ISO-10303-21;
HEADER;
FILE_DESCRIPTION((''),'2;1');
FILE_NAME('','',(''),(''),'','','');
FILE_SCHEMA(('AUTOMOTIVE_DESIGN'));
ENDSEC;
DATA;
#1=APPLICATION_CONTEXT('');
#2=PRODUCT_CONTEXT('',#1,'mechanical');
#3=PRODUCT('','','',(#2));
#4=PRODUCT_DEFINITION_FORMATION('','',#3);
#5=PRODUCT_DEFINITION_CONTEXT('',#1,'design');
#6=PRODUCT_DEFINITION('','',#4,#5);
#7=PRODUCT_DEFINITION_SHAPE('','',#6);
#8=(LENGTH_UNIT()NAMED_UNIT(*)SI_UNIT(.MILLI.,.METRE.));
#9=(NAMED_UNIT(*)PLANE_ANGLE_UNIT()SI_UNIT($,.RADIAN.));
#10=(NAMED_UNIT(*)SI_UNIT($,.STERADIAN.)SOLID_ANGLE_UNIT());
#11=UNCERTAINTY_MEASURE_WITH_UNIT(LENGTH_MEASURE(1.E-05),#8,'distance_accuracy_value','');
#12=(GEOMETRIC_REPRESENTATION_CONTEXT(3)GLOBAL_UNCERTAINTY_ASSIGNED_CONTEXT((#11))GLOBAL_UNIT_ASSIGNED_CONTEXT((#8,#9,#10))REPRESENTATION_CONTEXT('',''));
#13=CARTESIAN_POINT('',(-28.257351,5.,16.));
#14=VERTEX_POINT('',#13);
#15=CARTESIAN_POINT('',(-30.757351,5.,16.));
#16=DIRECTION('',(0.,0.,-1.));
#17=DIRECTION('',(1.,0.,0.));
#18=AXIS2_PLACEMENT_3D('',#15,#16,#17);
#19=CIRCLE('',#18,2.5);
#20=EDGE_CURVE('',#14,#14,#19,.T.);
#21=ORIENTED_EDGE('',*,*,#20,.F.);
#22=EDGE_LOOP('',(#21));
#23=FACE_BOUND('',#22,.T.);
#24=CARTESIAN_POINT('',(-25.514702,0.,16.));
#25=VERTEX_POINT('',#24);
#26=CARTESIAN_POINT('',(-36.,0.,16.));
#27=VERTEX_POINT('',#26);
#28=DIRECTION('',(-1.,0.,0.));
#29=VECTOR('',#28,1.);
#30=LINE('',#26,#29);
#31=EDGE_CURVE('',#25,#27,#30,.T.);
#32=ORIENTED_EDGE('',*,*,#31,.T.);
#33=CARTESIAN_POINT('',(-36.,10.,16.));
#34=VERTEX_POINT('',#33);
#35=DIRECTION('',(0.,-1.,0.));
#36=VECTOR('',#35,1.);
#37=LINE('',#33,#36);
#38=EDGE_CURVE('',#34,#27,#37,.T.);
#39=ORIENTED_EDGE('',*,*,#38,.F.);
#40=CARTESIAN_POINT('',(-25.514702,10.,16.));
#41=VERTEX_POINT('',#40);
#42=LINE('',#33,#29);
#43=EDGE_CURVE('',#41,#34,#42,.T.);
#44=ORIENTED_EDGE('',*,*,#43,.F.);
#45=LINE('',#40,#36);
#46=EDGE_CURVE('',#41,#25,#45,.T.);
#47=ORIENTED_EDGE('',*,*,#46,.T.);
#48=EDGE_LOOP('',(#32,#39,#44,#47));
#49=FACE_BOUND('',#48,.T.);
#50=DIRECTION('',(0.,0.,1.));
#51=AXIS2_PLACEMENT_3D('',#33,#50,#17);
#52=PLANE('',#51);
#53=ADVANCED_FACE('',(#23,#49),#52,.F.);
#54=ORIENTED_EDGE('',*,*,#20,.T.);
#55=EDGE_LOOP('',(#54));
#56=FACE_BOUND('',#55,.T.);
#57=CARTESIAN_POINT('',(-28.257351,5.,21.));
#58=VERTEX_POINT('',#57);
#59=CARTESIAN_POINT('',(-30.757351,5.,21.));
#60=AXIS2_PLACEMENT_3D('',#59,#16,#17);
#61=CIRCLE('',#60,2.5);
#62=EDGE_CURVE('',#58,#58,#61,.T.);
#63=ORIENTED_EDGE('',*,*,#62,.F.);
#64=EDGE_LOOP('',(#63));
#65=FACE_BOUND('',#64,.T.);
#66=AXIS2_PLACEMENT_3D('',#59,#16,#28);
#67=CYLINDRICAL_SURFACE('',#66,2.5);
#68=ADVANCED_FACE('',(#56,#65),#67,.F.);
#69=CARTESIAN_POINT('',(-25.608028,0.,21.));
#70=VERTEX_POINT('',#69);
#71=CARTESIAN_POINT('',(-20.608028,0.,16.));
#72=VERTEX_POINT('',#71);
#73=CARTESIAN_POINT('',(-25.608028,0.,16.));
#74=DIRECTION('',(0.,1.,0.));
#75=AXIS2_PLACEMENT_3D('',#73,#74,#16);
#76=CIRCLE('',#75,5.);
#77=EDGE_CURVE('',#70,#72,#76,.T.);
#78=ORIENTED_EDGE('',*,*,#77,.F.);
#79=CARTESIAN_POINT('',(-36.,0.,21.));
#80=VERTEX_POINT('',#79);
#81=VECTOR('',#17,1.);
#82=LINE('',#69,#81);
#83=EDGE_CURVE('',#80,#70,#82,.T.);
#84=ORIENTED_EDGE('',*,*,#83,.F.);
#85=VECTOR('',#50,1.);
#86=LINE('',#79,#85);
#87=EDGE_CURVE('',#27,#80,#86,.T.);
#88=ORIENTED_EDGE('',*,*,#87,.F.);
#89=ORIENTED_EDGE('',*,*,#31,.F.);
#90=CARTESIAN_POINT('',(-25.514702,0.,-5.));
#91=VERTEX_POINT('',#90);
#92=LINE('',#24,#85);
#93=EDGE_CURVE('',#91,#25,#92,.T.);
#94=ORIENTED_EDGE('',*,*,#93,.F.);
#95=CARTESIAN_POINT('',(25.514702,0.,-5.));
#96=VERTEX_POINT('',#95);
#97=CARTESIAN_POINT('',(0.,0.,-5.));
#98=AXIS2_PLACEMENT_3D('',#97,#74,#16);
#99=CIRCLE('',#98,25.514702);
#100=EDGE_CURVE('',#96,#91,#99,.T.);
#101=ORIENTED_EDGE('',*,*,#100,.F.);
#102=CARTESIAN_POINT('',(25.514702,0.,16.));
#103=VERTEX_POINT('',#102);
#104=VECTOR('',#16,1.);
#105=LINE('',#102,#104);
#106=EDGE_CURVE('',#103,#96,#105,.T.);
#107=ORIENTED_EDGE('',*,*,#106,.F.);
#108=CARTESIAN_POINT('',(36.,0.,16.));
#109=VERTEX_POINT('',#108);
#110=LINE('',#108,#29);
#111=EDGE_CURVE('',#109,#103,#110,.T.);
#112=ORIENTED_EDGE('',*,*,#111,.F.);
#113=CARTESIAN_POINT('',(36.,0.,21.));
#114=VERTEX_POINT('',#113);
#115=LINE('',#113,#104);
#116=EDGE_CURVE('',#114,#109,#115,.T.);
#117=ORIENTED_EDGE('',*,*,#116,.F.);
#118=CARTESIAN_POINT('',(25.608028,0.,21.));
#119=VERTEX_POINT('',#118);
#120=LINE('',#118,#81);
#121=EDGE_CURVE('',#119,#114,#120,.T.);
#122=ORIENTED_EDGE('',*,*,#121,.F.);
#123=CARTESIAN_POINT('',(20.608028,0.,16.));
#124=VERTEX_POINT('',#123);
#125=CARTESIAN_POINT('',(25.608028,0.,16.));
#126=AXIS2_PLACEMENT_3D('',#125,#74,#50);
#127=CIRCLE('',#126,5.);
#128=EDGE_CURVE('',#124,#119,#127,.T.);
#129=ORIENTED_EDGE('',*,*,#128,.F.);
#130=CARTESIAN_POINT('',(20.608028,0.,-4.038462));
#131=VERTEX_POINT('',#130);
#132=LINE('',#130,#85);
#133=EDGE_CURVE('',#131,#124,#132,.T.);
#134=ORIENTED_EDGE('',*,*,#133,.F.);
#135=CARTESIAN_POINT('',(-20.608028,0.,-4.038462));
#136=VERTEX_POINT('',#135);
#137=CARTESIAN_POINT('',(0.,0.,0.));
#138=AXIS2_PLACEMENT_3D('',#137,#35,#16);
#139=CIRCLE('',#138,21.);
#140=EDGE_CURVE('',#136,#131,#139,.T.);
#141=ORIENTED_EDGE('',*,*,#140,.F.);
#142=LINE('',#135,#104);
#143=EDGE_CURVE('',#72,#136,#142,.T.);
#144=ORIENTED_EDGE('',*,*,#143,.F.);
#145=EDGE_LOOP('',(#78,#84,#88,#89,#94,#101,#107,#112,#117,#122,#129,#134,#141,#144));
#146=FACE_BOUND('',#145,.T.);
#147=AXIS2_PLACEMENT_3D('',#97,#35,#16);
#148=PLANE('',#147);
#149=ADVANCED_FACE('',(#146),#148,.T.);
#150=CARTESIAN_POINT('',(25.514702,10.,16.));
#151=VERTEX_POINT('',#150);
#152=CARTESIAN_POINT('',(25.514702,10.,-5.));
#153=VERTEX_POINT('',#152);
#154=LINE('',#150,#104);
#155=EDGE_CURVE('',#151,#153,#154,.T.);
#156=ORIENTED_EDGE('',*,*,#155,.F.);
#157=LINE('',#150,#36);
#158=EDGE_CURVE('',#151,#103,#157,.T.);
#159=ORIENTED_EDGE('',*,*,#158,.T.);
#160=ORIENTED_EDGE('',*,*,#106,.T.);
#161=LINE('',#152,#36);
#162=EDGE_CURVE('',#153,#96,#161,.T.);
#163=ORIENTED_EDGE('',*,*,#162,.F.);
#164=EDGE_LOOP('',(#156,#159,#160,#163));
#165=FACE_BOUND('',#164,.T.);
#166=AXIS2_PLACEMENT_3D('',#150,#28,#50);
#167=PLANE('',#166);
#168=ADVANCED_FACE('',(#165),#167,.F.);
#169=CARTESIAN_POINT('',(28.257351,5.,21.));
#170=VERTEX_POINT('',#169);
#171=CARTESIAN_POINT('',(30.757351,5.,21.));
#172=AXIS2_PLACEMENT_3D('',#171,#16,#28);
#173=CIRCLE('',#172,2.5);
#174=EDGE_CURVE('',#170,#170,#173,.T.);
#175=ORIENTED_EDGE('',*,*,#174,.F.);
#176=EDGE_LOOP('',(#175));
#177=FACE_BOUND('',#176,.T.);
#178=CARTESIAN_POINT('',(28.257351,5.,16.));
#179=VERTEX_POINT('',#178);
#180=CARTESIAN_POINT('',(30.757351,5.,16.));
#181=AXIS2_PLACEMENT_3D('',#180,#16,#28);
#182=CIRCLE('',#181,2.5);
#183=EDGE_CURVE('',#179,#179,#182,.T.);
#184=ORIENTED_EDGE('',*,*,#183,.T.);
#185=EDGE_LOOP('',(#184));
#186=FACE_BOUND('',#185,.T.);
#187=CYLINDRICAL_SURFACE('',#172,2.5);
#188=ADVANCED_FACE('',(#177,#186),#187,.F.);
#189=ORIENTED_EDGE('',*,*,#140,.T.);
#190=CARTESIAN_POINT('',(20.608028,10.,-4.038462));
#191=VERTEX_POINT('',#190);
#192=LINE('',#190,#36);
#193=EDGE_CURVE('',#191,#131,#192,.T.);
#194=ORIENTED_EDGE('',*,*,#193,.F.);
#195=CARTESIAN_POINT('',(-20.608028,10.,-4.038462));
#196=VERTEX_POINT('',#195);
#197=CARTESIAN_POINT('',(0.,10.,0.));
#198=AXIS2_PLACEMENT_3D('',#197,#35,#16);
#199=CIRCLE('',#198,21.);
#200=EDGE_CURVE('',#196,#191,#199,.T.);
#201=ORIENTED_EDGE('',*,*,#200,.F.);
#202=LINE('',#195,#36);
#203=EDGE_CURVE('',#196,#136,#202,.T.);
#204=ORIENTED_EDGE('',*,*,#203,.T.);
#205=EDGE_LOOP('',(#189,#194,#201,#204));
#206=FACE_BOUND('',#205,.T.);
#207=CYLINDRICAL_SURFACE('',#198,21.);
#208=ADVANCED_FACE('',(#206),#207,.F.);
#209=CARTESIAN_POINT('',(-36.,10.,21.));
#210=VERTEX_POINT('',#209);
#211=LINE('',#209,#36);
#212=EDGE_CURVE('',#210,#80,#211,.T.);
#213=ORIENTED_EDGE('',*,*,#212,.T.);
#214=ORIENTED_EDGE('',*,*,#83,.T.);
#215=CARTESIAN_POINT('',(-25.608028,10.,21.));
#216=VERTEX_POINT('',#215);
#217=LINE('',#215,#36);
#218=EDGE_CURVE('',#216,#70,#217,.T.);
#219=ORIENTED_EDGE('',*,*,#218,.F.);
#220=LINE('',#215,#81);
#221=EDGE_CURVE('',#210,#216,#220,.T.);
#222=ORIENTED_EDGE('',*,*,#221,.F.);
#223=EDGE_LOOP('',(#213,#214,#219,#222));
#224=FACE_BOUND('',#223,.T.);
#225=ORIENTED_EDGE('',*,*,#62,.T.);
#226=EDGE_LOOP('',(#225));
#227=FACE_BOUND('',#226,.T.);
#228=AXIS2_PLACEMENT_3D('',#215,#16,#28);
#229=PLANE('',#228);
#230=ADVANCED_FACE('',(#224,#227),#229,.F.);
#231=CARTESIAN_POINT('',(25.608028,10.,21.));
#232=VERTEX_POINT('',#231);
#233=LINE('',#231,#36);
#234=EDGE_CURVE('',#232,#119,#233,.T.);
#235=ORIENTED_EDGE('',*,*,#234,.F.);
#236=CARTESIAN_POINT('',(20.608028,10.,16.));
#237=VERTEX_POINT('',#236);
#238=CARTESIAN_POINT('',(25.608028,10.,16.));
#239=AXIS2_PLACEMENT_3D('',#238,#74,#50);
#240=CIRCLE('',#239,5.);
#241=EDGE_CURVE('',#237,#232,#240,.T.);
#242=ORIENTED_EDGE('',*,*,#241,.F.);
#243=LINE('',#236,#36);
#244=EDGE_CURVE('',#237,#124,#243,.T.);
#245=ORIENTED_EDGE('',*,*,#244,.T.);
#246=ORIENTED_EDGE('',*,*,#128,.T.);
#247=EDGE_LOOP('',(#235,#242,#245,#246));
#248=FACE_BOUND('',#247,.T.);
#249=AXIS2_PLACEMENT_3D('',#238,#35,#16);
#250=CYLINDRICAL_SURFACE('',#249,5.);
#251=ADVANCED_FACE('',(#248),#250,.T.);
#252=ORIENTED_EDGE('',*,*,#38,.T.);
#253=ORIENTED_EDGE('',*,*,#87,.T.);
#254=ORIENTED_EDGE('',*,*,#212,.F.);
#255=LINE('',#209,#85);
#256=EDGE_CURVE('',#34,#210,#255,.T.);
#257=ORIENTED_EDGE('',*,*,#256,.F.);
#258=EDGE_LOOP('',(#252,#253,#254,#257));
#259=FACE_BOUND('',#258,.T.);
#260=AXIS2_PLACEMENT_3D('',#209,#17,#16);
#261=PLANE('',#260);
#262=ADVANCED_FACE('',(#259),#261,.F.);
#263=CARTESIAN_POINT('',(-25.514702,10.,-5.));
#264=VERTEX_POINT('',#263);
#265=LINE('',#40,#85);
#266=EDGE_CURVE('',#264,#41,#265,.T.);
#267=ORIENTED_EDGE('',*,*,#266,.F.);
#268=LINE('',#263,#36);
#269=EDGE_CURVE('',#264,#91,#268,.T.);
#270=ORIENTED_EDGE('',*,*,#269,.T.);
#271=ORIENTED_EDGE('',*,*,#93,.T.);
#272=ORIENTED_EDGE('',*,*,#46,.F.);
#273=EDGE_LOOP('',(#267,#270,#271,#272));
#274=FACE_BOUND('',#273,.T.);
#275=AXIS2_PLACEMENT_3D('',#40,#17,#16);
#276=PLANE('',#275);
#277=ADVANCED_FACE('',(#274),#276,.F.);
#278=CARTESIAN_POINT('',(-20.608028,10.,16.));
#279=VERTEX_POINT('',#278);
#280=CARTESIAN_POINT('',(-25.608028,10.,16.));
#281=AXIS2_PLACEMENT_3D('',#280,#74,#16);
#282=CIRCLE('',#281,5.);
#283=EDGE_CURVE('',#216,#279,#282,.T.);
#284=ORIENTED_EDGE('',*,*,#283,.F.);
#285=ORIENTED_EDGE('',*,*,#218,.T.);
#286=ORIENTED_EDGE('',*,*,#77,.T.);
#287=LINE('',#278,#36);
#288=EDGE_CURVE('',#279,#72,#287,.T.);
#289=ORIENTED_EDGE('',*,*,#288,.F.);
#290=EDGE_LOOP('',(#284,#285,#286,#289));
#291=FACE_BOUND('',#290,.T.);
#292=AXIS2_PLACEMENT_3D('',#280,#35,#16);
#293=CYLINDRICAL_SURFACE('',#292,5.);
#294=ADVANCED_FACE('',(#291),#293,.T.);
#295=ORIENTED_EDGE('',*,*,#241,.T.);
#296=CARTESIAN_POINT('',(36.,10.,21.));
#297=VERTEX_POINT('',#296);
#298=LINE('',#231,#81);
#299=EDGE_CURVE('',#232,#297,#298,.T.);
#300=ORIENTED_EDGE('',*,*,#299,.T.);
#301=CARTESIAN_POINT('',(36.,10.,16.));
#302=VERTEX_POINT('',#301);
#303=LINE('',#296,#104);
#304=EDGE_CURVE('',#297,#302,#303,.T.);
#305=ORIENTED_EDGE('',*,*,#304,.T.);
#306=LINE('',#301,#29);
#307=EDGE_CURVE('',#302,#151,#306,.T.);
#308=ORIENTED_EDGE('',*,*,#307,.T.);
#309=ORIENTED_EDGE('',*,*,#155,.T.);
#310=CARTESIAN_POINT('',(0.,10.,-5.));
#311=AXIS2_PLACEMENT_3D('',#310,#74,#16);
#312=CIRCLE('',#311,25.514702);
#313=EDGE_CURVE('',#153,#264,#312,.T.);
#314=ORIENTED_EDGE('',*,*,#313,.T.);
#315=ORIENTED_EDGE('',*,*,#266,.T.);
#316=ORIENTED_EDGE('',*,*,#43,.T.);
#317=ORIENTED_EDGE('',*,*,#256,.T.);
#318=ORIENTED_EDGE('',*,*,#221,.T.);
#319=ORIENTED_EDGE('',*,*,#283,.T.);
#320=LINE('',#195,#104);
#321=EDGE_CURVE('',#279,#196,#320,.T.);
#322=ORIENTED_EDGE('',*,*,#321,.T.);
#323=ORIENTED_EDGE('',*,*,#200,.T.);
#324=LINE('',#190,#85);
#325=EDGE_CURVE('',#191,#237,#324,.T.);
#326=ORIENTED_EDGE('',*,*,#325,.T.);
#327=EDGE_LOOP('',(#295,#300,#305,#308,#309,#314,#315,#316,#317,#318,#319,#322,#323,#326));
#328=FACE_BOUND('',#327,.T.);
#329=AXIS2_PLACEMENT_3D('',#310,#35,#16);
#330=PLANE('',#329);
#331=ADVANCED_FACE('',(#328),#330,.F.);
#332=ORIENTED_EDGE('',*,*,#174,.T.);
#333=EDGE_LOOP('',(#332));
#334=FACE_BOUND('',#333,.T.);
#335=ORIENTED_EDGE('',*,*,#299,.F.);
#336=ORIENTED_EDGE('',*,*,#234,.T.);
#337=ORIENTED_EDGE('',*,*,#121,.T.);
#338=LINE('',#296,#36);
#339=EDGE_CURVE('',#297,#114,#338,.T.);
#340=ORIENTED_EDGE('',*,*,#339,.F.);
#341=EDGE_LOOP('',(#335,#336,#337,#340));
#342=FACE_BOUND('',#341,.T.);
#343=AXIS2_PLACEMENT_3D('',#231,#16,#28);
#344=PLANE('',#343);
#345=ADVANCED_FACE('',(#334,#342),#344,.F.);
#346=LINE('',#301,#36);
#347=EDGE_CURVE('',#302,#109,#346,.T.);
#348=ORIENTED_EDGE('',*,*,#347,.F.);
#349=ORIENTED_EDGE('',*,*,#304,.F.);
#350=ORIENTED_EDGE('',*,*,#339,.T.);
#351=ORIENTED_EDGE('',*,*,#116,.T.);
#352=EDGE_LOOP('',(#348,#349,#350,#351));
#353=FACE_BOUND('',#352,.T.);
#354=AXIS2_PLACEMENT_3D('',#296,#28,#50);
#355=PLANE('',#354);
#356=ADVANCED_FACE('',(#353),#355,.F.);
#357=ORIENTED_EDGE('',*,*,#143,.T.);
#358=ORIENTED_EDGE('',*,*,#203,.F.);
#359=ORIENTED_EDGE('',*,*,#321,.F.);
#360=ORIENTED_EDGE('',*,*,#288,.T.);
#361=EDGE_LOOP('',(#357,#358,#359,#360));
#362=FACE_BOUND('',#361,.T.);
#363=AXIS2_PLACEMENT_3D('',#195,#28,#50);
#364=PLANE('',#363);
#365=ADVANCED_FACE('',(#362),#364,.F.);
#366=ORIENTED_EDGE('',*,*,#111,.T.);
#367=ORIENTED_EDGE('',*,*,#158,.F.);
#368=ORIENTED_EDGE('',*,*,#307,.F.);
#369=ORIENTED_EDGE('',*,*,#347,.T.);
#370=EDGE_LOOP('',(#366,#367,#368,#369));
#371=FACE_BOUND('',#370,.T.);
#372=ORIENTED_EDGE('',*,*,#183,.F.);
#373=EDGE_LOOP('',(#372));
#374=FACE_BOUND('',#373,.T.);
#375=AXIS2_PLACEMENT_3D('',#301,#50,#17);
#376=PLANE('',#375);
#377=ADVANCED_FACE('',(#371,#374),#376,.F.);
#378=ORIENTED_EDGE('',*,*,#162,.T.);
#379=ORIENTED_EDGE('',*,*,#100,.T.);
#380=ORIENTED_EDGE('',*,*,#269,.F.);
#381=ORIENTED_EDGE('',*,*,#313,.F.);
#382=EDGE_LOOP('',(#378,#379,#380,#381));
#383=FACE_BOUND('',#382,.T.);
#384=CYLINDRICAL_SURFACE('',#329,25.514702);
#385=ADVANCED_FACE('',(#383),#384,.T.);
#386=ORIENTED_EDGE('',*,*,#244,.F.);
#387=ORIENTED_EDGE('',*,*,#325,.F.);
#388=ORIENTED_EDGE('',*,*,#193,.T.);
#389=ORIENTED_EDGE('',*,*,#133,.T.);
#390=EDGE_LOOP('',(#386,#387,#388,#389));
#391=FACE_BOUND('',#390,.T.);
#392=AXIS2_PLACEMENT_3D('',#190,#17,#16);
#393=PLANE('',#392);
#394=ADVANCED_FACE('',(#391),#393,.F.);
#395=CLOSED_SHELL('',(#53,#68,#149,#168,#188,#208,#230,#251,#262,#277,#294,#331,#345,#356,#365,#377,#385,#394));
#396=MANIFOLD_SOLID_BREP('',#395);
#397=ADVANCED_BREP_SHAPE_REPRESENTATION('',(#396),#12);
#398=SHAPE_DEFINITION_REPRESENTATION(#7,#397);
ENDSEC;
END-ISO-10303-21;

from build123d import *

# Parameters (mm, degrees)
BOSS_EXTRUDE1_DEPTH = 10
SKETCH4_R           = 2.5
CUT_EXTRUDE1_DEPTH  = 60.662529858


with BuildPart() as part:
    # Sketch1<2> → Boss-Extrude1 (new body)
    with BuildSketch(Plane(origin=(0, 0, 0), x_dir=(1, 0, 0), z_dir=(0, 1, 0))):
        with BuildLine():
            Line((-20.608028251, 4.038461538), (-20.608028251, -16))
            ThreePointArc((-20.608028251, -16), (-22.072494345, -19.535533906), (-25.608028251, -21))
            Line((-25.608028251, -21), (-36, -21))
            Line((-36, -21), (-36, -16))
            Line((-36, -16), (-25.514701644, -16))
            Line((-25.514701644, -16), (-25.514701644, 5))
            ThreePointArc((-25.514701644, 5), (0, 30.514701644), (25.514701644, 5))
            Line((25.514701644, 5), (25.514701644, -16))
            Line((25.514701644, -16), (36, -16))
            Line((36, -16), (36, -21))
            Line((36, -21), (25.608028251, -21))
            ThreePointArc((25.608028251, -21), (22.072494345, -19.535533906), (20.608028251, -16))
            Line((20.608028251, -16), (20.608028251, 4.038461538))
            ThreePointArc((20.608028251, 4.038461538), (0, 21), (-20.608028251, 4.038461538))
        make_face()
    extrude(amount=BOSS_EXTRUDE1_DEPTH)

    # Sketch4 → Cut-Extrude1 (cut, through all)
    with BuildSketch(Plane(origin=(0, 0, 16), x_dir=(-1, 0, 0), z_dir=(0, 0, -1))):
        with Locations((-30.757350822, 5)):
            Circle(SKETCH4_R)
        with Locations((30.757350822, 5)):
            Circle(SKETCH4_R)
    extrude(amount=-CUT_EXTRUDE1_DEPTH, mode=Mode.SUBTRACT)


solid = part.part
